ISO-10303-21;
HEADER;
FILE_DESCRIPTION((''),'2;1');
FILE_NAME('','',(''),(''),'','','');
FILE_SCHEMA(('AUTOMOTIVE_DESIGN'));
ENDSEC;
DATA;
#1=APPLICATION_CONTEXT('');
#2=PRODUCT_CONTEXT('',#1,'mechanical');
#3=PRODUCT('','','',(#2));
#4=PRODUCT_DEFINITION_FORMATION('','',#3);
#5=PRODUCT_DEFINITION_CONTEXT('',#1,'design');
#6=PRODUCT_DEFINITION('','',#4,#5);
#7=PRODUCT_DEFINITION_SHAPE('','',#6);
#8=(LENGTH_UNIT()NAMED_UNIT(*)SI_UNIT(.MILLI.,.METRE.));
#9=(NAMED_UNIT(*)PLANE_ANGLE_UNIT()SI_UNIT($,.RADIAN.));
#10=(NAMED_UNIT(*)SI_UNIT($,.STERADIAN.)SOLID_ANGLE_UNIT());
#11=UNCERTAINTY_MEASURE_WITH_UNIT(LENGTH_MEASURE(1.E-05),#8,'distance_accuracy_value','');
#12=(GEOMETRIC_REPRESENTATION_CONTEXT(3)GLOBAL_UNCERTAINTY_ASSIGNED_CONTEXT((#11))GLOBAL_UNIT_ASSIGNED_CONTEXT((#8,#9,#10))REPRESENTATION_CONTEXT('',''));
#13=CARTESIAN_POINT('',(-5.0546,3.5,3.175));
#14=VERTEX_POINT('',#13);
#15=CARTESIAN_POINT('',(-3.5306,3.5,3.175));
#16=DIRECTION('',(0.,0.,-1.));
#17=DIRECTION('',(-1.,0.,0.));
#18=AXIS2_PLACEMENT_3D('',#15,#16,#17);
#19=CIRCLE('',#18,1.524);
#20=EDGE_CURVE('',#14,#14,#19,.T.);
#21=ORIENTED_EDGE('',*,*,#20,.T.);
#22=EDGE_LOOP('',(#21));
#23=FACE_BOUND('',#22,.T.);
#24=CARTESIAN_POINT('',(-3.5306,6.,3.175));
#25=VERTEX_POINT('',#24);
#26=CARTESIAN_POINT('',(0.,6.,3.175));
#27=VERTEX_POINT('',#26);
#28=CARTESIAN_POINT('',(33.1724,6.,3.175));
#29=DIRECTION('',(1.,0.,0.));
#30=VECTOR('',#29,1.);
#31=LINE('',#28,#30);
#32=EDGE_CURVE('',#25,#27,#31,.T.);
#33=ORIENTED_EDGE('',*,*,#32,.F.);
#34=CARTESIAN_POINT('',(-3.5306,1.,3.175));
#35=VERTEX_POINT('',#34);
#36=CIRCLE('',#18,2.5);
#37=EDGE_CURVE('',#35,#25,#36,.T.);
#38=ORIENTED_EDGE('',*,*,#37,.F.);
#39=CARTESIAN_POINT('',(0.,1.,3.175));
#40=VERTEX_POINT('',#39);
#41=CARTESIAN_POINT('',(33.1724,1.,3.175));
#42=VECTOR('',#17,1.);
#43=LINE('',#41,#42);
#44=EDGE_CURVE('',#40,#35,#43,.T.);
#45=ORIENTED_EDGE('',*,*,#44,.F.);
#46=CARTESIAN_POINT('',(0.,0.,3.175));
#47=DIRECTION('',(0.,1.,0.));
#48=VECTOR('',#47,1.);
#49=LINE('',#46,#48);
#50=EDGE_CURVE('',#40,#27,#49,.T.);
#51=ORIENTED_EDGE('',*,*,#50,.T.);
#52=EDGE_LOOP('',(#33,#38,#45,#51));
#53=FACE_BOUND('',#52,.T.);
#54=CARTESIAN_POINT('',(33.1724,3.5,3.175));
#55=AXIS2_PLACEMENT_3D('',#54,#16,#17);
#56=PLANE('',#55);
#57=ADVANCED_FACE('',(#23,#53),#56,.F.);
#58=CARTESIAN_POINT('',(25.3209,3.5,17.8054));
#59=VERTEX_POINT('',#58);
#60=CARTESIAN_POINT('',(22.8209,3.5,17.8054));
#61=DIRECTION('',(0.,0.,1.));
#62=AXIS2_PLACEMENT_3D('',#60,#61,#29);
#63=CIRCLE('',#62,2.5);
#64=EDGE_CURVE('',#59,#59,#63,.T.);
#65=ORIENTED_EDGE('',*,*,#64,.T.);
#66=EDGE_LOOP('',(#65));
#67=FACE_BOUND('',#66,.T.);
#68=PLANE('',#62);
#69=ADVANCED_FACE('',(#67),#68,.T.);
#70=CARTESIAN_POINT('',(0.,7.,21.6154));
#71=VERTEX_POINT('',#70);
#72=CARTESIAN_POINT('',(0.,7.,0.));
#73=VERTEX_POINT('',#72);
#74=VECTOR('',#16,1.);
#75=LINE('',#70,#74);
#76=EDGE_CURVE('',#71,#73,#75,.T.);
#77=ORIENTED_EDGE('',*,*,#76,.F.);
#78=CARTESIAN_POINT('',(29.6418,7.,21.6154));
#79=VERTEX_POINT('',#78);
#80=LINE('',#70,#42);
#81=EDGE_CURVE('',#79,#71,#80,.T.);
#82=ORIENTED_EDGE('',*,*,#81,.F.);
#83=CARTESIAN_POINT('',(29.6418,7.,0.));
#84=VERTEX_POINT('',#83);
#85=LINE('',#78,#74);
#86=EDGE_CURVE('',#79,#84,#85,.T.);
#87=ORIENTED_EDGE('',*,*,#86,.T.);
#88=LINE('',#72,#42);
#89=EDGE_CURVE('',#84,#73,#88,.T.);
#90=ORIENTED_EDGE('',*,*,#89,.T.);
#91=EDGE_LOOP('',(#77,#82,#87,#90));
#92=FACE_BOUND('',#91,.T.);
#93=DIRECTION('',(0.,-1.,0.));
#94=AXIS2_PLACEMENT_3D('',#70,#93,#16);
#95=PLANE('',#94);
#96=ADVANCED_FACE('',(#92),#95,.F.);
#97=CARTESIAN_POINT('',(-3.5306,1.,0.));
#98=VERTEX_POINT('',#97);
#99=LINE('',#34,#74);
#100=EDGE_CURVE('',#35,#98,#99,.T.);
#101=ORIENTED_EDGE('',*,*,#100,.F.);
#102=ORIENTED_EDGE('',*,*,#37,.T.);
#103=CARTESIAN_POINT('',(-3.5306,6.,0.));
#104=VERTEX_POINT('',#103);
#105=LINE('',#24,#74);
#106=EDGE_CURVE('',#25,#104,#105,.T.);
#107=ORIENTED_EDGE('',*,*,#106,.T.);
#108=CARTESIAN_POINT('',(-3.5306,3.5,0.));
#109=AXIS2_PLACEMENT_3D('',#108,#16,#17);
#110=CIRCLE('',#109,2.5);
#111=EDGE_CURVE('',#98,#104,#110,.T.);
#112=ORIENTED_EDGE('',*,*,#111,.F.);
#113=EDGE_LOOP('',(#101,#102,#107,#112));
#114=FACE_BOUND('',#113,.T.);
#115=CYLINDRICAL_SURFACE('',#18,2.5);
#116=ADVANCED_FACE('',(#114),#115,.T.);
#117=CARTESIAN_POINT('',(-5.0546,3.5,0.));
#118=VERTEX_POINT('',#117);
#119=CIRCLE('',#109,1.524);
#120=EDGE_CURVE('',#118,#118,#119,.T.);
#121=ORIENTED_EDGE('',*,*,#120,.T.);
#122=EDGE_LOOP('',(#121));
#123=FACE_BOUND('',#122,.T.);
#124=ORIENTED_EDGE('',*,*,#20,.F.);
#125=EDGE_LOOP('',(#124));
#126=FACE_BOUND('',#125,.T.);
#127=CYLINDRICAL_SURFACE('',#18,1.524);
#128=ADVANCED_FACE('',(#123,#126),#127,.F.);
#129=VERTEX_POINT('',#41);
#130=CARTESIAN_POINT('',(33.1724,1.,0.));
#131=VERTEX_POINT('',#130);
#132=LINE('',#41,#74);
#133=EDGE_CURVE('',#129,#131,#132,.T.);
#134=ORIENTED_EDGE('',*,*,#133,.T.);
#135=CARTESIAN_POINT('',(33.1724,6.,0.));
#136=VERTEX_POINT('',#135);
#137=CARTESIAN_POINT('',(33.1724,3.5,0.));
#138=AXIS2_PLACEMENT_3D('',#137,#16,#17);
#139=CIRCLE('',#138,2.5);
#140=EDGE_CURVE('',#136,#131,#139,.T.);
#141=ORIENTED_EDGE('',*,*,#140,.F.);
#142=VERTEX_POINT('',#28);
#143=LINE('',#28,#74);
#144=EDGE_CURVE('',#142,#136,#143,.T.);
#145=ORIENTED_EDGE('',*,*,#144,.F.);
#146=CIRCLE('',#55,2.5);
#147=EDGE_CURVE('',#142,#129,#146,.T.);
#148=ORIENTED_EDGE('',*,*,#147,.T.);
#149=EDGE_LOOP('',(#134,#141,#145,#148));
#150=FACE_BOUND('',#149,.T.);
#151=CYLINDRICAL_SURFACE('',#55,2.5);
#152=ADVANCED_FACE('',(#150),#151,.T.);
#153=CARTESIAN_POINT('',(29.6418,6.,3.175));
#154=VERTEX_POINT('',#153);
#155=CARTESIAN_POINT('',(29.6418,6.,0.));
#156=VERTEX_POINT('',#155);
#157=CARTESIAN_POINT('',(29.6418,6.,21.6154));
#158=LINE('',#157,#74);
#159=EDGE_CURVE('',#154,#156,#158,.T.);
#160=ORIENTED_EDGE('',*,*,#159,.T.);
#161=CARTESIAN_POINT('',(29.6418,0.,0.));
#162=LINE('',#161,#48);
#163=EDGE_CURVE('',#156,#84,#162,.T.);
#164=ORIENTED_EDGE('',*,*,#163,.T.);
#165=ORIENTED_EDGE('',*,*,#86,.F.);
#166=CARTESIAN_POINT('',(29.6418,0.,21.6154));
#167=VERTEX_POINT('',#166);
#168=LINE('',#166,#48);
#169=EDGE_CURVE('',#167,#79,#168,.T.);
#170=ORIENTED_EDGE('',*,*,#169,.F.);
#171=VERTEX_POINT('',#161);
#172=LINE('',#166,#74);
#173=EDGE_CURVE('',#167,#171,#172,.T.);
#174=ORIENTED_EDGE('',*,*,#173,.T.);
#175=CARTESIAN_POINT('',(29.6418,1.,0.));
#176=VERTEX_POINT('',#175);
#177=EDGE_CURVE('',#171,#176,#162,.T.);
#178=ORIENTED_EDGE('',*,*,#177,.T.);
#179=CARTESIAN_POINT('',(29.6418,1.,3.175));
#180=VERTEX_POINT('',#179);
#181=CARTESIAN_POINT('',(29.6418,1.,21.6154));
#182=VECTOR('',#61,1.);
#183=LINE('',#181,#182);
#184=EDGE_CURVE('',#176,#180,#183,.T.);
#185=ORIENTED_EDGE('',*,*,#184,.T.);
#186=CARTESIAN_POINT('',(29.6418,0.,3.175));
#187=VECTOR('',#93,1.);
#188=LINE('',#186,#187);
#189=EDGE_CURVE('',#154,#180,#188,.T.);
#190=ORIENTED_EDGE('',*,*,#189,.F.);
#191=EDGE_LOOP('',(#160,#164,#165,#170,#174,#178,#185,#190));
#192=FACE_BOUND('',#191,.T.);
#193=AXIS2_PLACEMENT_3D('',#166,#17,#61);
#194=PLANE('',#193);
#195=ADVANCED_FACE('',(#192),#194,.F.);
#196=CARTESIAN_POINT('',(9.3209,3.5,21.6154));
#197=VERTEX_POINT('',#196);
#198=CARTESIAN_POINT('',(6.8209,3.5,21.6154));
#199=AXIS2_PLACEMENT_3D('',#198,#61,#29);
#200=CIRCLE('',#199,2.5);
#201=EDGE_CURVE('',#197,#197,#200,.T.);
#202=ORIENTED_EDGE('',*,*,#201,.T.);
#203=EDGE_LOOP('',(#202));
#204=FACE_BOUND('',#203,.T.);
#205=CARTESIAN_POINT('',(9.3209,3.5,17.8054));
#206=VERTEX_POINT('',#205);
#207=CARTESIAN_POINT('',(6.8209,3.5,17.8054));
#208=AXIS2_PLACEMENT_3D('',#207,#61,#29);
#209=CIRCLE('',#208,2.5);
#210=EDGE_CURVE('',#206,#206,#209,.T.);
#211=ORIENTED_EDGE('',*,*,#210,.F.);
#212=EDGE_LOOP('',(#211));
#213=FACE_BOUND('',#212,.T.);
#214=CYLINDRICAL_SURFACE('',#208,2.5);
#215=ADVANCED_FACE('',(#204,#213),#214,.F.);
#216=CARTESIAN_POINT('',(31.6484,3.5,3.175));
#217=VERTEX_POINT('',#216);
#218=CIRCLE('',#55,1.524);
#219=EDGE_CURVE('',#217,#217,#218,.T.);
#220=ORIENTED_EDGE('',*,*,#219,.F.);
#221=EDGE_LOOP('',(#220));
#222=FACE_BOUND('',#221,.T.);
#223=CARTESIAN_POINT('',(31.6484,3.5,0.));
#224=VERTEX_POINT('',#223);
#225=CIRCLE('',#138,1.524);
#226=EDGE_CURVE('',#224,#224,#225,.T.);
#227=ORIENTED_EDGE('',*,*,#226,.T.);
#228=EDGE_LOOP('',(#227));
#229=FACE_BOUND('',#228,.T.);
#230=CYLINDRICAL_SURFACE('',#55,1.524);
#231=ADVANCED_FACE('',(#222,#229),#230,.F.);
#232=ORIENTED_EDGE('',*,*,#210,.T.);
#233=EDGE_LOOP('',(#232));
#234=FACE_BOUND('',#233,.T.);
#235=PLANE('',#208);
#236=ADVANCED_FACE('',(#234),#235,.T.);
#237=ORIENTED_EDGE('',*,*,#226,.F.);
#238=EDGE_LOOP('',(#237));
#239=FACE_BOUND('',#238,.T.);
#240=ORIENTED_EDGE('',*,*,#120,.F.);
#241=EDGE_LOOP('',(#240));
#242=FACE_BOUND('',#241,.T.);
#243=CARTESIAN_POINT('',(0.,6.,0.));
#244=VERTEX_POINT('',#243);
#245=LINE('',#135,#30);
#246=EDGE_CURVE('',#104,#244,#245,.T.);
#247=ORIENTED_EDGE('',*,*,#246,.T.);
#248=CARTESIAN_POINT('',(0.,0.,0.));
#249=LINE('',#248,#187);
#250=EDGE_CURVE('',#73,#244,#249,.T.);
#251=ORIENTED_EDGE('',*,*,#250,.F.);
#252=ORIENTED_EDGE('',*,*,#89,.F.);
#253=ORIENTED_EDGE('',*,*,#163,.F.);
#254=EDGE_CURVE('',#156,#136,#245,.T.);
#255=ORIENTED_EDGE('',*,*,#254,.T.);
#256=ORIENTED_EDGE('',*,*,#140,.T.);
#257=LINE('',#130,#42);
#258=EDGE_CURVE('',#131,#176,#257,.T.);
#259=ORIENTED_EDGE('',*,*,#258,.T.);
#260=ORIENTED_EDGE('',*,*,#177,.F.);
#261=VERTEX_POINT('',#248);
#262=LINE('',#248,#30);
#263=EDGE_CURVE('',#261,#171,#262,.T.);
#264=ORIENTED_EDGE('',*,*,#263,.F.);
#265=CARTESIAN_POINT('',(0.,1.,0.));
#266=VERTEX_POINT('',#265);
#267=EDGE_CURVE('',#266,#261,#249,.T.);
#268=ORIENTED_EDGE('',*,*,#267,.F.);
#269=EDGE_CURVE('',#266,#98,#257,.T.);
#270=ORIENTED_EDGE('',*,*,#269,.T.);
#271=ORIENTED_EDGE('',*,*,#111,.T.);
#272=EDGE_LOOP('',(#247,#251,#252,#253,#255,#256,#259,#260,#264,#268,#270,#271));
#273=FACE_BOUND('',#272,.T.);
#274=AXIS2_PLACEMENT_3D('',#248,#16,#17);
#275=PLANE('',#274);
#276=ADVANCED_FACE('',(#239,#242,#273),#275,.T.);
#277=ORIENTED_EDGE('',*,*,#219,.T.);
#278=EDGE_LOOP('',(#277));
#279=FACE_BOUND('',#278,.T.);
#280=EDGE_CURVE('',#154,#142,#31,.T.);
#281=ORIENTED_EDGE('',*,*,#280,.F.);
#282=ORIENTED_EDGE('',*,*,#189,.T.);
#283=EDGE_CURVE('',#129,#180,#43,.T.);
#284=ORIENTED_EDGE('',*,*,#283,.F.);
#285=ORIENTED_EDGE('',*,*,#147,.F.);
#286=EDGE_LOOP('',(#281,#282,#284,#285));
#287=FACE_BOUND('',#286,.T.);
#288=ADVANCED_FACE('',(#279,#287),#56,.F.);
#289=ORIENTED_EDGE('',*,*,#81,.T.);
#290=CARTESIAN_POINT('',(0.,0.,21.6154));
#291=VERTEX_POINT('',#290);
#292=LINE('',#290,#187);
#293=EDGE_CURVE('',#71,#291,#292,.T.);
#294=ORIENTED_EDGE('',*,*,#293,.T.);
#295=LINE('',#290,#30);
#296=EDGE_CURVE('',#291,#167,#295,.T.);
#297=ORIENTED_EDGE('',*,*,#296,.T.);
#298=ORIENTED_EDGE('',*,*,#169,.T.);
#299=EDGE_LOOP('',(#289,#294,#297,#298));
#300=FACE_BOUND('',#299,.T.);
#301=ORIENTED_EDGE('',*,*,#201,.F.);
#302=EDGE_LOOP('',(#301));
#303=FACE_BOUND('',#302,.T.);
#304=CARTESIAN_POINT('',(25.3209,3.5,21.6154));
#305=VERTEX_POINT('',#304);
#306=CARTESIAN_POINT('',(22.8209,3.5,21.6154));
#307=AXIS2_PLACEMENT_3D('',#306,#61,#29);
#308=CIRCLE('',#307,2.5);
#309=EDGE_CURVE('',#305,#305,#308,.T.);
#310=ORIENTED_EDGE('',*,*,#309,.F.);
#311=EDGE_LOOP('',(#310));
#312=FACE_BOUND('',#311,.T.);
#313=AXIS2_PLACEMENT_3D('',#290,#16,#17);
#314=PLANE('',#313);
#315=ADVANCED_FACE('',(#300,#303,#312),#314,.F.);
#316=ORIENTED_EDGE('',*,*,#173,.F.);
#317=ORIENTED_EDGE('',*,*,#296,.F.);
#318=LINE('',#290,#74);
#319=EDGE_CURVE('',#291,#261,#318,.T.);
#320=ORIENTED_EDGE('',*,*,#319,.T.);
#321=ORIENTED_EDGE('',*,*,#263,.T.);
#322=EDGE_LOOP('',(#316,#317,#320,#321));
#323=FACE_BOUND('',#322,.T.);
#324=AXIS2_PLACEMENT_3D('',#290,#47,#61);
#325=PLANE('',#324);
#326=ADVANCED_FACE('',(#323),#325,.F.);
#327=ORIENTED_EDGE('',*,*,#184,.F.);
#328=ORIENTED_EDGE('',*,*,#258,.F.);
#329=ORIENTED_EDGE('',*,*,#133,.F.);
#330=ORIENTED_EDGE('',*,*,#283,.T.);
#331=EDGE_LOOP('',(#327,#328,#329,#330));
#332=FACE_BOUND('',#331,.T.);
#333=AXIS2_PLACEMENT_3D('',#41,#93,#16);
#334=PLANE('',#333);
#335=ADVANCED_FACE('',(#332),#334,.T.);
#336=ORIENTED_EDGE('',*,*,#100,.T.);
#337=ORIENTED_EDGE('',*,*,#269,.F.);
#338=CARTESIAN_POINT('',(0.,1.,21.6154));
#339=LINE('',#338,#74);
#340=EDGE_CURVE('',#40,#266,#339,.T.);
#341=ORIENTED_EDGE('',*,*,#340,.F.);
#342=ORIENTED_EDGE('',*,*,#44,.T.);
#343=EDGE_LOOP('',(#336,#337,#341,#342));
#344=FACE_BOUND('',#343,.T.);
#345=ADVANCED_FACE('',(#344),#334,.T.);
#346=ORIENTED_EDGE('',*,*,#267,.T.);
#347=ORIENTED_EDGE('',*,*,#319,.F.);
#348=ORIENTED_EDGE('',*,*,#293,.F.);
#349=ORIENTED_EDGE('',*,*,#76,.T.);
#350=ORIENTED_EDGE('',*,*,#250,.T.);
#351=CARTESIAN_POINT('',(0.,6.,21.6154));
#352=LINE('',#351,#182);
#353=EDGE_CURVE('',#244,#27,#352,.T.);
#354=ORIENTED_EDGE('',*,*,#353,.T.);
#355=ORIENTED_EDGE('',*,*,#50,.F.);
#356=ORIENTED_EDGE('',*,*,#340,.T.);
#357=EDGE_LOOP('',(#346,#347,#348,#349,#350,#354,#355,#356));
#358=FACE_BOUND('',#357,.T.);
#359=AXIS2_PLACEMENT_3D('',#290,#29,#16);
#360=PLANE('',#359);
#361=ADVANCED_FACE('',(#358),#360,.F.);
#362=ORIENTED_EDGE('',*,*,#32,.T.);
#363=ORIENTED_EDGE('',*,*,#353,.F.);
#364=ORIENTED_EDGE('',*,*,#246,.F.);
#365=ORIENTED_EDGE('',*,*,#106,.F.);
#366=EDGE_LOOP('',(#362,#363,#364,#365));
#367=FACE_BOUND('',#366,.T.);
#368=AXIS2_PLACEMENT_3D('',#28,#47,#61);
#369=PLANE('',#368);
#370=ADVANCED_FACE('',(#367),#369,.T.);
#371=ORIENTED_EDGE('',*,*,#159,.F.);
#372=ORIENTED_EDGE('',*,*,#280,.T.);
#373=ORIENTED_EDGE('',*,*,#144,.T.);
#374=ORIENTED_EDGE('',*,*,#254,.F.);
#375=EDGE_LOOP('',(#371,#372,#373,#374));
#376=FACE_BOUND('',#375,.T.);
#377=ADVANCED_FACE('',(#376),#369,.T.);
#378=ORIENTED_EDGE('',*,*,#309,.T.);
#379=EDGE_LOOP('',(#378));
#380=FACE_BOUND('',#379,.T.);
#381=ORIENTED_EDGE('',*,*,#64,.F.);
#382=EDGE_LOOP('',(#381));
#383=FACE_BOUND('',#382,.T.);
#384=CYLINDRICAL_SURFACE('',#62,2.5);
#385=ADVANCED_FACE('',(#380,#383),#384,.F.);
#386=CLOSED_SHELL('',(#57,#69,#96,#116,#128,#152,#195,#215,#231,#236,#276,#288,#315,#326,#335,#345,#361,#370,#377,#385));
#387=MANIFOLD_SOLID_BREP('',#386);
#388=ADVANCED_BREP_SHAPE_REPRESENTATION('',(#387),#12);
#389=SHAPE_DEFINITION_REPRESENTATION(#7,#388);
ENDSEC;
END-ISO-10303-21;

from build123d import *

# Parameters (mm, degrees)
SKETCH1_W           = 29.6418
SKETCH1_H           = 7
BOSS_EXTRUDE1_DEPTH = 21.6154
SKETCH2_R           = 1.524
BOSS_EXTRUDE2_DEPTH = 3.175
SKETCH3_R           = 2.5
CUT_EXTRUDE1_DEPTH  = 3.81


with BuildPart() as part:
    # Sketch1 → Boss-Extrude1 (new body)
    with BuildSketch(Plane.XY):
        with Locations((14.8209, 3.5)):
            Rectangle(SKETCH1_W, SKETCH1_H)
    extrude(amount=BOSS_EXTRUDE1_DEPTH)

    # Sketch2 → Boss-Extrude2 (add)
    with BuildSketch(Plane(origin=(0, 0, 0), x_dir=(-1, 0, 0), z_dir=(0, 0, -1))):
        with BuildLine():
            Line((-33.1724, 6), (3.5306, 6))
            ThreePointArc((3.5306, 6), (6.0306, 3.5), (3.5306, 1))
            Line((3.5306, 1), (-33.1724, 1))
            ThreePointArc((-33.1724, 1), (-35.6724, 3.5), (-33.1724, 6))
        make_face()
        with Locations((-33.1724, 3.5)):
            Circle(SKETCH2_R, mode=Mode.SUBTRACT)
        with Locations((3.5306, 3.5)):
            Circle(SKETCH2_R, mode=Mode.SUBTRACT)
    extrude(amount=-BOSS_EXTRUDE2_DEPTH)

    # Sketch3 → Cut-Extrude1 (cut)
    with BuildSketch(Plane.XY.offset(21.6154)):
        with Locations((6.8209, 3.5)):
            Circle(SKETCH3_R)
        with Locations((22.8209, 3.5)):
            Circle(SKETCH3_R)
    extrude(amount=-CUT_EXTRUDE1_DEPTH, mode=Mode.SUBTRACT)


solid = part.part
